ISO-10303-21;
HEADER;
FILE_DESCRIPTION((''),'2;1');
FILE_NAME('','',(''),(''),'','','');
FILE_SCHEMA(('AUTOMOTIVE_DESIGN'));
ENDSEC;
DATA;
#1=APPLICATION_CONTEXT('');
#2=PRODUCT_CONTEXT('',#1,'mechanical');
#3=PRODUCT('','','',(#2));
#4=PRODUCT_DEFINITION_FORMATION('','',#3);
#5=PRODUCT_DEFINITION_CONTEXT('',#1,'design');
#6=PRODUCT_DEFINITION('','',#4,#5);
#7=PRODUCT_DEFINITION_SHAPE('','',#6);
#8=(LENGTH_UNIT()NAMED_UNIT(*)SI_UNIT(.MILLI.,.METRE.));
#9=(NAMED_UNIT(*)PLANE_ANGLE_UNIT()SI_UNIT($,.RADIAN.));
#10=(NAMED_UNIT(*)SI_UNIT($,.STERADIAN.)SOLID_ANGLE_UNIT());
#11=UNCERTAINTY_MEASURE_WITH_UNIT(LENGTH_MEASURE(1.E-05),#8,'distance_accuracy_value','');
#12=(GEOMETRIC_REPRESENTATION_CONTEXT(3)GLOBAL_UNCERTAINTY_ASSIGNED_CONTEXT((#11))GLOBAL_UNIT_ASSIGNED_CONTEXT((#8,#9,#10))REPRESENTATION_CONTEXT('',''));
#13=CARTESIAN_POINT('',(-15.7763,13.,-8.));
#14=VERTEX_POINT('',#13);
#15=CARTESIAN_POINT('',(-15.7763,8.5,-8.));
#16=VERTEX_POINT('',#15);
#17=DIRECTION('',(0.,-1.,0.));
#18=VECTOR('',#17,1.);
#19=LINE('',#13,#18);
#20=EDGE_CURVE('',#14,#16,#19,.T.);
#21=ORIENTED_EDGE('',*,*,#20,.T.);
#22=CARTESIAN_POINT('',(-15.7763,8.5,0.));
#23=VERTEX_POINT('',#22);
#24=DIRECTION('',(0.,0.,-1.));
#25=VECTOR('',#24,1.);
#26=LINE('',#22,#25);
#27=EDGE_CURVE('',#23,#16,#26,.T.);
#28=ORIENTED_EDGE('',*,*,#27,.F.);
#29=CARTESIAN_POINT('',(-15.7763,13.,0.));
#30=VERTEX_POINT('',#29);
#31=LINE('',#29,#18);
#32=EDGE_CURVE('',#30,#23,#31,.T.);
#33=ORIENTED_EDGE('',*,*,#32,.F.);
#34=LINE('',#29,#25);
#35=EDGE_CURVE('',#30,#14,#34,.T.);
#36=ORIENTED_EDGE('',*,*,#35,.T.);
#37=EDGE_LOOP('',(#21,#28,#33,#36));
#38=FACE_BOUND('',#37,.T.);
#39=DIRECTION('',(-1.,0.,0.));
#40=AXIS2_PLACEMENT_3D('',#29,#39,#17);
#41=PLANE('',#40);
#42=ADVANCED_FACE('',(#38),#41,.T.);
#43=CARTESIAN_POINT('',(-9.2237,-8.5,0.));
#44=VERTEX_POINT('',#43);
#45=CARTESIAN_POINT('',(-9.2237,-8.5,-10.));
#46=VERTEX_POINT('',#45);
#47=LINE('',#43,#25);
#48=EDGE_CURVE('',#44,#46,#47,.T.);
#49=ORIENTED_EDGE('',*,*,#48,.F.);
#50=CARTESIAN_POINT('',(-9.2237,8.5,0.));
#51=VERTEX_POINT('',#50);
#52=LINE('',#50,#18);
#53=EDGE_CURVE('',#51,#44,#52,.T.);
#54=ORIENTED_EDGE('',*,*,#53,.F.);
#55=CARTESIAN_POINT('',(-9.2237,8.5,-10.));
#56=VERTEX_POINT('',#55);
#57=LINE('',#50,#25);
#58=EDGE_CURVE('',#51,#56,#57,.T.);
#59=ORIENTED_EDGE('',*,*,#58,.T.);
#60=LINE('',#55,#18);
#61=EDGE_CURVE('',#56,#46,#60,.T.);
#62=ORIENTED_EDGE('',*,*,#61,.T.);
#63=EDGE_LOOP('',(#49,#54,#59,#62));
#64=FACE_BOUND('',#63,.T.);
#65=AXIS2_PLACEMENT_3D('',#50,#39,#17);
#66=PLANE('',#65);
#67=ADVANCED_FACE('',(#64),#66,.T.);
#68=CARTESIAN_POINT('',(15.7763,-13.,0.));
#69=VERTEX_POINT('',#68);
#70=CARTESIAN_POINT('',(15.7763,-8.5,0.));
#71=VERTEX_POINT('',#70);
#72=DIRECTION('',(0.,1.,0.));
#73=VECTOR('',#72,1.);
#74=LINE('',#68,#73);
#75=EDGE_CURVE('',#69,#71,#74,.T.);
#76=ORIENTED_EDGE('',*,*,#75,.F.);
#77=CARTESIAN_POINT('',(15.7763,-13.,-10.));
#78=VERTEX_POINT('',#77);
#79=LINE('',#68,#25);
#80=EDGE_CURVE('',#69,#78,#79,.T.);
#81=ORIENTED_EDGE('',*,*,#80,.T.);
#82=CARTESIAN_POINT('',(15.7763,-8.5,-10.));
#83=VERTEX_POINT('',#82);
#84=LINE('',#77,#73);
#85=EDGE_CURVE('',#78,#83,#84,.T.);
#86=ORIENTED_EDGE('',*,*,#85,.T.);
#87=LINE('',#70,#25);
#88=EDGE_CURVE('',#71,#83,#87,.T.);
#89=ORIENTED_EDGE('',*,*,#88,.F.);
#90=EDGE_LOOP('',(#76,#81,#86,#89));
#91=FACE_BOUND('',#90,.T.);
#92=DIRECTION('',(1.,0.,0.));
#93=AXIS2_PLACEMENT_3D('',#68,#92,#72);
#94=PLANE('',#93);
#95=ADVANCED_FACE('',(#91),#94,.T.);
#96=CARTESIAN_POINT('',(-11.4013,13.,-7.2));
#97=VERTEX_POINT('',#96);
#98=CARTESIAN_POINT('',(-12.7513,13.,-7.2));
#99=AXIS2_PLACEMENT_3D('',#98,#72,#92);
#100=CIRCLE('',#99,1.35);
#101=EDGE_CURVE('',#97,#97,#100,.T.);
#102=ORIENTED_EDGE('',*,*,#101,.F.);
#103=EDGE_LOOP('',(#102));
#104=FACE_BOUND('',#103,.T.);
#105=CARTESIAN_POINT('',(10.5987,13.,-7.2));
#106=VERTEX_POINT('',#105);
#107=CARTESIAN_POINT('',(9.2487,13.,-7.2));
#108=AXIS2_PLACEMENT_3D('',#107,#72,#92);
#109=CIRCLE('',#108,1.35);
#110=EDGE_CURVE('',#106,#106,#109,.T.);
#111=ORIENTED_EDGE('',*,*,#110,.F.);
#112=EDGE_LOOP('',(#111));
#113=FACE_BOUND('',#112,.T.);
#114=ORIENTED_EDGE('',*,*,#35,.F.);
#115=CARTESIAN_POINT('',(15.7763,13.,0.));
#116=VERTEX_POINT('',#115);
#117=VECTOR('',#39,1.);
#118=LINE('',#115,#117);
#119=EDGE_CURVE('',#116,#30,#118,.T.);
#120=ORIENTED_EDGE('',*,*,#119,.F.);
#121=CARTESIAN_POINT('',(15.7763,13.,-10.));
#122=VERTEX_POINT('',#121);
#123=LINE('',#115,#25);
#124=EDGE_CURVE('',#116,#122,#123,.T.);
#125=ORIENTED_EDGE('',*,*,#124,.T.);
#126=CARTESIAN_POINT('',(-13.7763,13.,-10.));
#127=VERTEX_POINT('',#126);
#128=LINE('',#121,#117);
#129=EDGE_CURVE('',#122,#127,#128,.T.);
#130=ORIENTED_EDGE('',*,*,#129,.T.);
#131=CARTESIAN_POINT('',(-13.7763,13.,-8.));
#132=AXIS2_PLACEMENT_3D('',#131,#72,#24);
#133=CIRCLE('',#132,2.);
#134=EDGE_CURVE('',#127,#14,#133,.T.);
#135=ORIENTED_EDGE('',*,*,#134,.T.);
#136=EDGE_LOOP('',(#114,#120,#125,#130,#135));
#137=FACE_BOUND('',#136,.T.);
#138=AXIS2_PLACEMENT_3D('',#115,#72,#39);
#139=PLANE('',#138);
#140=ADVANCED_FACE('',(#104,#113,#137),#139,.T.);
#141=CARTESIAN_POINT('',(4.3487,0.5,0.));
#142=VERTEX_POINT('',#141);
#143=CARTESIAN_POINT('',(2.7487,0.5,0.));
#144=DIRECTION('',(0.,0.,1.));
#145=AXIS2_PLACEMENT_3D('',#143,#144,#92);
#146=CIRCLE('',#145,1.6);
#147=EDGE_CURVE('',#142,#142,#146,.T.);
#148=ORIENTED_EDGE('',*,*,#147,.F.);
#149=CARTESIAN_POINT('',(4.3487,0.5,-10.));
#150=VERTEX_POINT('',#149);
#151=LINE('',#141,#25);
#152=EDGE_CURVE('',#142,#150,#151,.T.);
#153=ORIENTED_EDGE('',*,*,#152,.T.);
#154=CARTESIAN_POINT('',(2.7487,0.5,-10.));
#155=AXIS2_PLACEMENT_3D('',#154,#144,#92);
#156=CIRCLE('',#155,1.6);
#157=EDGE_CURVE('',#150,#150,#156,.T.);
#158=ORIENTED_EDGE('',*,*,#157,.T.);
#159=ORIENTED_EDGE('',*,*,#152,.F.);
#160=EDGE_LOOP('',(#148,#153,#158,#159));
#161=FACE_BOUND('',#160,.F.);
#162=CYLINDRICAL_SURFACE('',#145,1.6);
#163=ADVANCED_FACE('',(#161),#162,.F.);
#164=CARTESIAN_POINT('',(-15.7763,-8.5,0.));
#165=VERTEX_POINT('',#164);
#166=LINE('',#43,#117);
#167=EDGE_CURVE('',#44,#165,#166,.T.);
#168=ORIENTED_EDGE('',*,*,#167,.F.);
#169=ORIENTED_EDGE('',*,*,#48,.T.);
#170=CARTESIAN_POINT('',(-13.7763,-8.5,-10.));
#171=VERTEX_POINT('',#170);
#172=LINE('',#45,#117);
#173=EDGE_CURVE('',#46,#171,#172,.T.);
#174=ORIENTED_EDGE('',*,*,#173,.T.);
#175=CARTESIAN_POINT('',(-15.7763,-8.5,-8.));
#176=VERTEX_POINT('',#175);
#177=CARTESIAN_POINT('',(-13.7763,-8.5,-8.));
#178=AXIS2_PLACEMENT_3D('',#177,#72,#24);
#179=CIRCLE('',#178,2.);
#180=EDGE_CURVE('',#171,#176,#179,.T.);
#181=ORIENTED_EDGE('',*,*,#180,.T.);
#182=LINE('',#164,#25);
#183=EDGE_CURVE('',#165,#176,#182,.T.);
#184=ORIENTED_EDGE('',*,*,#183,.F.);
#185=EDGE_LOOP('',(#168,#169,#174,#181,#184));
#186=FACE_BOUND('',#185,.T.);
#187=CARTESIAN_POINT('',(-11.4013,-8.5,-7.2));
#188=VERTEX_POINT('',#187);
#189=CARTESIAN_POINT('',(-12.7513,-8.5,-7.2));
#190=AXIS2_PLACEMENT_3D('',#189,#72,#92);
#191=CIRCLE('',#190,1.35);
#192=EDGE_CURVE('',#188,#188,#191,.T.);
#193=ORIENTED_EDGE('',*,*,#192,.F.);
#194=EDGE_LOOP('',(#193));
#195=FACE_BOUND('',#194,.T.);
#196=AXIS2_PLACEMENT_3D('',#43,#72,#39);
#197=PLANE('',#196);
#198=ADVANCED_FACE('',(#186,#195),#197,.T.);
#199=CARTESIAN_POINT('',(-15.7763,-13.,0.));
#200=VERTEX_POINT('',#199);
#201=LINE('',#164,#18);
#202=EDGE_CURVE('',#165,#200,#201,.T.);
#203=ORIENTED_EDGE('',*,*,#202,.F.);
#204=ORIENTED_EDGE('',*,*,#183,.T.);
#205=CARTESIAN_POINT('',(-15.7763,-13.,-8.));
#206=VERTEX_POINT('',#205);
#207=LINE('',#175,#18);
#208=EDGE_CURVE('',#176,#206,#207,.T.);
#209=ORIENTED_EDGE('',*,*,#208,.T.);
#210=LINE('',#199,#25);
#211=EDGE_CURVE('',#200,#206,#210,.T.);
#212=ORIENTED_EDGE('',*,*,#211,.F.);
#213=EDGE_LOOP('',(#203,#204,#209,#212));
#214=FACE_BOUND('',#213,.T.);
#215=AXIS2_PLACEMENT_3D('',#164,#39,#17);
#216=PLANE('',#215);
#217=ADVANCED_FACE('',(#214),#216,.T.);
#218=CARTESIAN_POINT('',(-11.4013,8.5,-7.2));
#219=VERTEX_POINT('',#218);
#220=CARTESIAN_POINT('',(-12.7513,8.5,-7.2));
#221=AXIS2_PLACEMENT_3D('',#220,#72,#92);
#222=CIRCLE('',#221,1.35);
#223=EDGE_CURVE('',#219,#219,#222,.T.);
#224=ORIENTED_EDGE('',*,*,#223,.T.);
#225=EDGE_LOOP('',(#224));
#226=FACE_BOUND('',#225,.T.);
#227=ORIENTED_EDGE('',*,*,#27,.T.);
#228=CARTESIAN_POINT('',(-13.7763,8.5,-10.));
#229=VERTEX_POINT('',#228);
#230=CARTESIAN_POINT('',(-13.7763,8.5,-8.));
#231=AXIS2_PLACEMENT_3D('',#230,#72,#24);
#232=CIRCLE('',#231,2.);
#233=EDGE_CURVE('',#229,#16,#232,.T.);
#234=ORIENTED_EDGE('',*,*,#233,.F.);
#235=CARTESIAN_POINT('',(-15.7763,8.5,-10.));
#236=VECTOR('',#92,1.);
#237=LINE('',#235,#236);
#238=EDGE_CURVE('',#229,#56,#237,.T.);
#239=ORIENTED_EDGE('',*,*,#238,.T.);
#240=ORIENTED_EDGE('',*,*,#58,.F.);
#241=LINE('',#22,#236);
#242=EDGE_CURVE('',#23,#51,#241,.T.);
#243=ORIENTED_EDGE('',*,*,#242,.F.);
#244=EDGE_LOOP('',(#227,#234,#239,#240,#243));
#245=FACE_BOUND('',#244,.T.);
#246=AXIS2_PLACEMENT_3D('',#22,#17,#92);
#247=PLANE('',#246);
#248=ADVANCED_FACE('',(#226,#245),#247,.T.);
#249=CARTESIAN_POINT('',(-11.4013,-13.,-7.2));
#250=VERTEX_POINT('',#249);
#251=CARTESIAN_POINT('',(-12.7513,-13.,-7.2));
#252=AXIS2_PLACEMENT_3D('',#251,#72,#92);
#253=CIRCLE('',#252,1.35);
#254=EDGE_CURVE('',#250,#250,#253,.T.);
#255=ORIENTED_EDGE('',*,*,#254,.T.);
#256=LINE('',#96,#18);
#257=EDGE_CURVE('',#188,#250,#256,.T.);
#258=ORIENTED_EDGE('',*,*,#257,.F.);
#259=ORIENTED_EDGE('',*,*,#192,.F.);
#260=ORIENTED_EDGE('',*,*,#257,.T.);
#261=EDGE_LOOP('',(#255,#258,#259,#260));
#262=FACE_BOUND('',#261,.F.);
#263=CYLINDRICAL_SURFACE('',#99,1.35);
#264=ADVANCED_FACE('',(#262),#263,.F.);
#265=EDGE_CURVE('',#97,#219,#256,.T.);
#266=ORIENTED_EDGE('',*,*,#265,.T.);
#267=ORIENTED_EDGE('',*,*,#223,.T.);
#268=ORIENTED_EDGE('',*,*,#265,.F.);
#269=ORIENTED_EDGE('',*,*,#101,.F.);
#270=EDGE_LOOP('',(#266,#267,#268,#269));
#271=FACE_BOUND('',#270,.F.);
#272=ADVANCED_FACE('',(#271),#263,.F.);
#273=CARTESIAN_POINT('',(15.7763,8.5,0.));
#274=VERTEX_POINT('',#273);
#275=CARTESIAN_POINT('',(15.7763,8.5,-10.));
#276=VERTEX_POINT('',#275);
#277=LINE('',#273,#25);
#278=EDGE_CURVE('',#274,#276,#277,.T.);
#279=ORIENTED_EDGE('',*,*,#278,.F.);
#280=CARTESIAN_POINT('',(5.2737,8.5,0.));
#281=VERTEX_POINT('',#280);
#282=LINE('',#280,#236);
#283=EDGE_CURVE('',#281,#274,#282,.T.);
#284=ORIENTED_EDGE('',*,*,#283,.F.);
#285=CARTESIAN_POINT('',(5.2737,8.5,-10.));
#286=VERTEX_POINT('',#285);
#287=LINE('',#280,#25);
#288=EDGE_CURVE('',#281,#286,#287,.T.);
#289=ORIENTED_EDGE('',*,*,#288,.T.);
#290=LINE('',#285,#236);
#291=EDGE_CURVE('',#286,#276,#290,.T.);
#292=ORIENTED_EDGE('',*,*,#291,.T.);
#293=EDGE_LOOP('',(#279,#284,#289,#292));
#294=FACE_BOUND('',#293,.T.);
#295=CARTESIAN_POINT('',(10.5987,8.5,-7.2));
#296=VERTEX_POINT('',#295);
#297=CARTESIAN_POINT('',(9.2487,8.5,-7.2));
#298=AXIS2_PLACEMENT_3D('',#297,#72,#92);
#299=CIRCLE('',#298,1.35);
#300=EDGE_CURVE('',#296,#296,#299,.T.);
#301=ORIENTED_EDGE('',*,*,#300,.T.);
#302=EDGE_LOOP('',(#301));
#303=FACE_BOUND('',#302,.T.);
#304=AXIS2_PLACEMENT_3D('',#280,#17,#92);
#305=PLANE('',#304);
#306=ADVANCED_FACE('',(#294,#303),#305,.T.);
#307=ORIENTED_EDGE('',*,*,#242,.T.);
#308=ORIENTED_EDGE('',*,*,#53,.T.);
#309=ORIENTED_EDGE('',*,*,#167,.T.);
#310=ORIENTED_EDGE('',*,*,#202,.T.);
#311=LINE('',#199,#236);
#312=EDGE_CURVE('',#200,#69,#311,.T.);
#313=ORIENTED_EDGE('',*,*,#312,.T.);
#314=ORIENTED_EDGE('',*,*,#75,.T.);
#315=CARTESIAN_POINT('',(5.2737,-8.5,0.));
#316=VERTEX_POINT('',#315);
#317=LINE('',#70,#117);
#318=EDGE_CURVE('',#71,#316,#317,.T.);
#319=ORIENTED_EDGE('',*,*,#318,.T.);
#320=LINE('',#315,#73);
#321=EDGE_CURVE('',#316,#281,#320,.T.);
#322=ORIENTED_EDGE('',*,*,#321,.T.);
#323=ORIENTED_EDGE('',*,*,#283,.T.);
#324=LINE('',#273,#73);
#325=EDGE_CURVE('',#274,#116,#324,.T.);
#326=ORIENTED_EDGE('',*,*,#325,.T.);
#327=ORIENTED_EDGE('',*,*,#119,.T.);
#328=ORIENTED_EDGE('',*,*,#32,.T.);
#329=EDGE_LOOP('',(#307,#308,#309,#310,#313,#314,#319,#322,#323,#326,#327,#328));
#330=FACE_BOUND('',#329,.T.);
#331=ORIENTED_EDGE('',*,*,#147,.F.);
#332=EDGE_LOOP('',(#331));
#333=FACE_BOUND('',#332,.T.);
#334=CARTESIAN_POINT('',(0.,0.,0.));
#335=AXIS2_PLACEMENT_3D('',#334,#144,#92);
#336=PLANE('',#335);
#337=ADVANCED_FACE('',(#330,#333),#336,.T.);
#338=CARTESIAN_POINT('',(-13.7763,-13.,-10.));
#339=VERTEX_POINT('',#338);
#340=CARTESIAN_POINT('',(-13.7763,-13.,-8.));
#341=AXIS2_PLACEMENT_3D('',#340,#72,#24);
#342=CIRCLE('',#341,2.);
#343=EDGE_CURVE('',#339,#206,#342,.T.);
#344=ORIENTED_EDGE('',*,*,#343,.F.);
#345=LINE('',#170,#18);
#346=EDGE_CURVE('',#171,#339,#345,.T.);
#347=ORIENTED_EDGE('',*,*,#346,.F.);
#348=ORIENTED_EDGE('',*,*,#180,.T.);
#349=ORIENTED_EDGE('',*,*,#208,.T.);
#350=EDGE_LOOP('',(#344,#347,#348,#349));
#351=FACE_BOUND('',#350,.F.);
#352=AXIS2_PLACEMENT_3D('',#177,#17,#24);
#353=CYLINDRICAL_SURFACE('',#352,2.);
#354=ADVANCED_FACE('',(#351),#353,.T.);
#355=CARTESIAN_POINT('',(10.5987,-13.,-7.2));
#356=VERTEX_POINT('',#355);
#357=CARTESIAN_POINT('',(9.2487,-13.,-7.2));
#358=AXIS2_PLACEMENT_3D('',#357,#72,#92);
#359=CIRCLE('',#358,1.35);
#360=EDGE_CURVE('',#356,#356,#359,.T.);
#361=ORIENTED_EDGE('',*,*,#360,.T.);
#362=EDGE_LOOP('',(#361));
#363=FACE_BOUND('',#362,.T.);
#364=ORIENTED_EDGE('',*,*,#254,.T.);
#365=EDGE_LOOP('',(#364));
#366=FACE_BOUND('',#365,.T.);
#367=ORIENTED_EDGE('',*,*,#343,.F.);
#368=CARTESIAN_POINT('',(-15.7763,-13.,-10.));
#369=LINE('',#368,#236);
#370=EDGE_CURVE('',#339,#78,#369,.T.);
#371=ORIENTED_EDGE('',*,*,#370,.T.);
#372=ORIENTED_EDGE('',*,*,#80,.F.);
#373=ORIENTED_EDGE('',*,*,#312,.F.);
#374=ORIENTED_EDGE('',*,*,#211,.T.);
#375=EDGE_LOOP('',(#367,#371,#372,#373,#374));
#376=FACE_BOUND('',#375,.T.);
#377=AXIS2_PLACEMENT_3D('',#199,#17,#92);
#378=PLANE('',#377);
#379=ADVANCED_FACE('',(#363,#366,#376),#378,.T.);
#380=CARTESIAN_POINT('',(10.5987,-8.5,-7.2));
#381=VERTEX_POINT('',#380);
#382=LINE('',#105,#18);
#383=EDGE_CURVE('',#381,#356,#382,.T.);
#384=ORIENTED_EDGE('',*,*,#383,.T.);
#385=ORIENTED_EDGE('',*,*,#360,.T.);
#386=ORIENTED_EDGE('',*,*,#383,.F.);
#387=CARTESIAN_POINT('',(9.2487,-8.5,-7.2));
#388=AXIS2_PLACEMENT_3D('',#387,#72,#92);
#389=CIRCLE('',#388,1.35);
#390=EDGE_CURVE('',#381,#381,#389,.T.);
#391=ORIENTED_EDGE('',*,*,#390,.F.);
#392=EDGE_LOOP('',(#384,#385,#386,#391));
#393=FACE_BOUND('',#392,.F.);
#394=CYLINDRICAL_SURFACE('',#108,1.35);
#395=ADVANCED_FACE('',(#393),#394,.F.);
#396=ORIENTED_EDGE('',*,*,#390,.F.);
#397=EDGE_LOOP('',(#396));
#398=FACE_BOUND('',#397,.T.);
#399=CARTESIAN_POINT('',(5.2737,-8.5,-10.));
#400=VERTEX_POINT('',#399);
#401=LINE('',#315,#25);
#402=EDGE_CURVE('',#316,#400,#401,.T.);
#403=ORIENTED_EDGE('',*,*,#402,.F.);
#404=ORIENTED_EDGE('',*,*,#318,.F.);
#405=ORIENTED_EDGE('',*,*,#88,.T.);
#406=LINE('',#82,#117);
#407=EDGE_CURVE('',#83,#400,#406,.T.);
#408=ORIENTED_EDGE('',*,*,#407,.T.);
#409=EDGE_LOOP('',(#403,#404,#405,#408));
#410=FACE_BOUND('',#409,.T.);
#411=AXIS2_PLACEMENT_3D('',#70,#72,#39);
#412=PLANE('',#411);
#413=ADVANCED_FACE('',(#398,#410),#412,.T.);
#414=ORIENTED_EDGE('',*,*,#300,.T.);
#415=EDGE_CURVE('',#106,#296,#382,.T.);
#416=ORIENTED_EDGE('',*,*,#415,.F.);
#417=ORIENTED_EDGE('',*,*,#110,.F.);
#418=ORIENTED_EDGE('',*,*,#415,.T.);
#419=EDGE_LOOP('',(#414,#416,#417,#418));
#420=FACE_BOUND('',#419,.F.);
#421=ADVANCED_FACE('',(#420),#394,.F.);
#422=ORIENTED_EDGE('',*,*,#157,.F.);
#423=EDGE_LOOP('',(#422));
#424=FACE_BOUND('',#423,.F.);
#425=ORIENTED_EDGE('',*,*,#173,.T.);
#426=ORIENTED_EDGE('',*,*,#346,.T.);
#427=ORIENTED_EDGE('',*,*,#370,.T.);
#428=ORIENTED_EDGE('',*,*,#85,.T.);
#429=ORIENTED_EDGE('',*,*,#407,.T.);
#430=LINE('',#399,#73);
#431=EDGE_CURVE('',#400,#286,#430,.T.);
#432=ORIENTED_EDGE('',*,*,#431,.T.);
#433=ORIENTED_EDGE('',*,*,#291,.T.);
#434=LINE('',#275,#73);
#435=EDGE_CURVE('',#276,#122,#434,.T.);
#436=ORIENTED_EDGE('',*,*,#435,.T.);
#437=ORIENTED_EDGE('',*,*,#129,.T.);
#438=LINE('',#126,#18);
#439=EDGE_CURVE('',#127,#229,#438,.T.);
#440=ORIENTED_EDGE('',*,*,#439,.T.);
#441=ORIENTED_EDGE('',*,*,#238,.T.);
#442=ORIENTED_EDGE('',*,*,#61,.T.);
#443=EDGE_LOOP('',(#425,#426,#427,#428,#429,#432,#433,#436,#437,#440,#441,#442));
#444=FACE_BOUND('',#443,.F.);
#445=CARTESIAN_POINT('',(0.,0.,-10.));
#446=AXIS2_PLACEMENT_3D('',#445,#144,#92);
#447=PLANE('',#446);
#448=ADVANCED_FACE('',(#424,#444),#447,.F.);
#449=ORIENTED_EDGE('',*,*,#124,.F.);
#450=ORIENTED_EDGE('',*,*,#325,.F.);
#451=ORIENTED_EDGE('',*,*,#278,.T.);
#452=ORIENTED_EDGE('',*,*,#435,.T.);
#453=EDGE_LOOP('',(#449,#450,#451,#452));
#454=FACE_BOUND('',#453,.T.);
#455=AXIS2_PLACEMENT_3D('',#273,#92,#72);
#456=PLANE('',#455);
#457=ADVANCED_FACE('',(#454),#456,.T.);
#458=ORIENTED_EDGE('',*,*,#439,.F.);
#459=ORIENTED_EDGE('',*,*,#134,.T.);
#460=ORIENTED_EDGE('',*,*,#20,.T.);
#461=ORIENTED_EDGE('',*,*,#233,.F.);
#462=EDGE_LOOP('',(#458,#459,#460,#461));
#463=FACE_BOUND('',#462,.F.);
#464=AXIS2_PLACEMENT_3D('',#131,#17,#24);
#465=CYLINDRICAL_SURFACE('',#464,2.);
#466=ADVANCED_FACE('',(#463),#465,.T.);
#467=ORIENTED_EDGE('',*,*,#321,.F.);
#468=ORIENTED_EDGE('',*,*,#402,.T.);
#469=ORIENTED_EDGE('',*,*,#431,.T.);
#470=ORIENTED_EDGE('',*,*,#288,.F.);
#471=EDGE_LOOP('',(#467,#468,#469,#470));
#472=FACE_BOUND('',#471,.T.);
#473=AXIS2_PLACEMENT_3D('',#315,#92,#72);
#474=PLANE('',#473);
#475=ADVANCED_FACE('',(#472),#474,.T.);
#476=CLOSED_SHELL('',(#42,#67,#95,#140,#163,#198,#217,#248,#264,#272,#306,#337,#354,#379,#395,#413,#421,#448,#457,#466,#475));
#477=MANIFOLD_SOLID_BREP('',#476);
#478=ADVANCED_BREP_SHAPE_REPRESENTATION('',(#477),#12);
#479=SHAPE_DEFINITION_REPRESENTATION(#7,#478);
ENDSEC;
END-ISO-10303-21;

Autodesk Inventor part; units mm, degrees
ref_plane "YZ Plane" through (0, 0, 0) normal (1, 0, 0) x (0, 1, 0)
ref_plane "XZ Plane" through (0, 0, 0) normal (0, 1, 0) x (-1, 0, 0)
ref_plane "XY Plane" through (0, 0, 0) normal (0, 0, 1) x (1, 0, 0)
ref_plane "작업 평면4" through (0, 0, 0) normal (0, 0, 1) x (1, 0, 0)
sketch "스케치5" plane through (0, 0, 0) normal (0, 0, 1) x (1, 0, 0)
  line L0 (-9.2237, 8.5) -> (-9.2237, -8.5) projected
  line L1 (-9.2237, -8.5) -> (-15.7763, -8.5) projected
  line L2 (-15.7763, -8.5) -> (-15.7763, -13) projected
  line L3 (-15.7763, -13) -> (15.7763, -13) projected
  line L4 (15.7763, -13) -> (15.7763, -8.5) projected
  line L5 (15.7763, -8.5) -> (5.2737, -8.5) projected
  line L6 (5.2737, -8.5) -> (5.2737, 8.5) projected
  line L7 (5.2737, 8.5) -> (15.7763, 8.5) projected
  line L8 (15.7763, 8.5) -> (15.7763, 13) projected
  line L9 (15.7763, 13) -> (-15.7763, 13) projected
  line L10 (-15.7763, 13) -> (-15.7763, 8.5) projected
  line L11 (-15.7763, 8.5) -> (-9.2237, 8.5) projected
  circle A0 centre (2.7487, 0.5) radius 1.6 projected
  line L12 (15.7763, 13) -> (-15.7763, 13)
  line L13 (-15.7763, 13) -> (-15.7763, 8.5)
  line L14 (-15.7763, 8.5) -> (15.7763, 8.5)
  line L15 (15.7763, 8.5) -> (15.7763, 13)
  line L16 (5.2737, 8.5) -> (-9.2237, 8.5)
  line L17 (-9.2237, 8.5) -> (-9.2237, -8.5)
  line L18 (-9.2237, -8.5) -> (5.2737, -8.5)
  line L19 (5.2737, -8.5) -> (5.2737, 8.5)
  line L20 (15.7763, -8.5) -> (-15.7763, -8.5)
  line L21 (-15.7763, -8.5) -> (-15.7763, -13)
  line L22 (-15.7763, -13) -> (15.7763, -13)
  line L23 (15.7763, -13) -> (15.7763, -8.5)
  point P0 (0, 0)
extrude "돌출1" add sketch "스케치5" against normal blind 10
sketch "스케치6" plane through (-15.7763, 13, 0) normal (0, 1, 0) x (1, 0, 0)
  arc A0 (2, 10) -> (0, 8) centre (2, 8) ccw projected
  line L0 (0, 8) -> (0, 0) projected
  line L1 (31.5525, 0) -> (0, 0) projected
  line L2 (31.5525, 10) -> (31.5525, 0) projected
  line L3 (31.5525, 10) -> (2, 10) projected
  circle A1 centre (3.025, 7.2) radius 1.35 projected
  circle A2 centre (25.025, 7.2) radius 1.35 projected
  circle A3 centre (25.025, 7.2) radius 1.35
  circle A4 centre (3.025, 7.2) radius 1.35
  point P0 (15.7763, 0)
extrude "돌출2" cut sketch "스케치6" against normal through all contours A1 | A2
fillet "모깎기1" radius 2 2 edges at (-15.7763, 10.75, -10) (-15.7763, -10.75, -10)
properties part number "front ankle connection_right" material "PMMA 플라스틱"
